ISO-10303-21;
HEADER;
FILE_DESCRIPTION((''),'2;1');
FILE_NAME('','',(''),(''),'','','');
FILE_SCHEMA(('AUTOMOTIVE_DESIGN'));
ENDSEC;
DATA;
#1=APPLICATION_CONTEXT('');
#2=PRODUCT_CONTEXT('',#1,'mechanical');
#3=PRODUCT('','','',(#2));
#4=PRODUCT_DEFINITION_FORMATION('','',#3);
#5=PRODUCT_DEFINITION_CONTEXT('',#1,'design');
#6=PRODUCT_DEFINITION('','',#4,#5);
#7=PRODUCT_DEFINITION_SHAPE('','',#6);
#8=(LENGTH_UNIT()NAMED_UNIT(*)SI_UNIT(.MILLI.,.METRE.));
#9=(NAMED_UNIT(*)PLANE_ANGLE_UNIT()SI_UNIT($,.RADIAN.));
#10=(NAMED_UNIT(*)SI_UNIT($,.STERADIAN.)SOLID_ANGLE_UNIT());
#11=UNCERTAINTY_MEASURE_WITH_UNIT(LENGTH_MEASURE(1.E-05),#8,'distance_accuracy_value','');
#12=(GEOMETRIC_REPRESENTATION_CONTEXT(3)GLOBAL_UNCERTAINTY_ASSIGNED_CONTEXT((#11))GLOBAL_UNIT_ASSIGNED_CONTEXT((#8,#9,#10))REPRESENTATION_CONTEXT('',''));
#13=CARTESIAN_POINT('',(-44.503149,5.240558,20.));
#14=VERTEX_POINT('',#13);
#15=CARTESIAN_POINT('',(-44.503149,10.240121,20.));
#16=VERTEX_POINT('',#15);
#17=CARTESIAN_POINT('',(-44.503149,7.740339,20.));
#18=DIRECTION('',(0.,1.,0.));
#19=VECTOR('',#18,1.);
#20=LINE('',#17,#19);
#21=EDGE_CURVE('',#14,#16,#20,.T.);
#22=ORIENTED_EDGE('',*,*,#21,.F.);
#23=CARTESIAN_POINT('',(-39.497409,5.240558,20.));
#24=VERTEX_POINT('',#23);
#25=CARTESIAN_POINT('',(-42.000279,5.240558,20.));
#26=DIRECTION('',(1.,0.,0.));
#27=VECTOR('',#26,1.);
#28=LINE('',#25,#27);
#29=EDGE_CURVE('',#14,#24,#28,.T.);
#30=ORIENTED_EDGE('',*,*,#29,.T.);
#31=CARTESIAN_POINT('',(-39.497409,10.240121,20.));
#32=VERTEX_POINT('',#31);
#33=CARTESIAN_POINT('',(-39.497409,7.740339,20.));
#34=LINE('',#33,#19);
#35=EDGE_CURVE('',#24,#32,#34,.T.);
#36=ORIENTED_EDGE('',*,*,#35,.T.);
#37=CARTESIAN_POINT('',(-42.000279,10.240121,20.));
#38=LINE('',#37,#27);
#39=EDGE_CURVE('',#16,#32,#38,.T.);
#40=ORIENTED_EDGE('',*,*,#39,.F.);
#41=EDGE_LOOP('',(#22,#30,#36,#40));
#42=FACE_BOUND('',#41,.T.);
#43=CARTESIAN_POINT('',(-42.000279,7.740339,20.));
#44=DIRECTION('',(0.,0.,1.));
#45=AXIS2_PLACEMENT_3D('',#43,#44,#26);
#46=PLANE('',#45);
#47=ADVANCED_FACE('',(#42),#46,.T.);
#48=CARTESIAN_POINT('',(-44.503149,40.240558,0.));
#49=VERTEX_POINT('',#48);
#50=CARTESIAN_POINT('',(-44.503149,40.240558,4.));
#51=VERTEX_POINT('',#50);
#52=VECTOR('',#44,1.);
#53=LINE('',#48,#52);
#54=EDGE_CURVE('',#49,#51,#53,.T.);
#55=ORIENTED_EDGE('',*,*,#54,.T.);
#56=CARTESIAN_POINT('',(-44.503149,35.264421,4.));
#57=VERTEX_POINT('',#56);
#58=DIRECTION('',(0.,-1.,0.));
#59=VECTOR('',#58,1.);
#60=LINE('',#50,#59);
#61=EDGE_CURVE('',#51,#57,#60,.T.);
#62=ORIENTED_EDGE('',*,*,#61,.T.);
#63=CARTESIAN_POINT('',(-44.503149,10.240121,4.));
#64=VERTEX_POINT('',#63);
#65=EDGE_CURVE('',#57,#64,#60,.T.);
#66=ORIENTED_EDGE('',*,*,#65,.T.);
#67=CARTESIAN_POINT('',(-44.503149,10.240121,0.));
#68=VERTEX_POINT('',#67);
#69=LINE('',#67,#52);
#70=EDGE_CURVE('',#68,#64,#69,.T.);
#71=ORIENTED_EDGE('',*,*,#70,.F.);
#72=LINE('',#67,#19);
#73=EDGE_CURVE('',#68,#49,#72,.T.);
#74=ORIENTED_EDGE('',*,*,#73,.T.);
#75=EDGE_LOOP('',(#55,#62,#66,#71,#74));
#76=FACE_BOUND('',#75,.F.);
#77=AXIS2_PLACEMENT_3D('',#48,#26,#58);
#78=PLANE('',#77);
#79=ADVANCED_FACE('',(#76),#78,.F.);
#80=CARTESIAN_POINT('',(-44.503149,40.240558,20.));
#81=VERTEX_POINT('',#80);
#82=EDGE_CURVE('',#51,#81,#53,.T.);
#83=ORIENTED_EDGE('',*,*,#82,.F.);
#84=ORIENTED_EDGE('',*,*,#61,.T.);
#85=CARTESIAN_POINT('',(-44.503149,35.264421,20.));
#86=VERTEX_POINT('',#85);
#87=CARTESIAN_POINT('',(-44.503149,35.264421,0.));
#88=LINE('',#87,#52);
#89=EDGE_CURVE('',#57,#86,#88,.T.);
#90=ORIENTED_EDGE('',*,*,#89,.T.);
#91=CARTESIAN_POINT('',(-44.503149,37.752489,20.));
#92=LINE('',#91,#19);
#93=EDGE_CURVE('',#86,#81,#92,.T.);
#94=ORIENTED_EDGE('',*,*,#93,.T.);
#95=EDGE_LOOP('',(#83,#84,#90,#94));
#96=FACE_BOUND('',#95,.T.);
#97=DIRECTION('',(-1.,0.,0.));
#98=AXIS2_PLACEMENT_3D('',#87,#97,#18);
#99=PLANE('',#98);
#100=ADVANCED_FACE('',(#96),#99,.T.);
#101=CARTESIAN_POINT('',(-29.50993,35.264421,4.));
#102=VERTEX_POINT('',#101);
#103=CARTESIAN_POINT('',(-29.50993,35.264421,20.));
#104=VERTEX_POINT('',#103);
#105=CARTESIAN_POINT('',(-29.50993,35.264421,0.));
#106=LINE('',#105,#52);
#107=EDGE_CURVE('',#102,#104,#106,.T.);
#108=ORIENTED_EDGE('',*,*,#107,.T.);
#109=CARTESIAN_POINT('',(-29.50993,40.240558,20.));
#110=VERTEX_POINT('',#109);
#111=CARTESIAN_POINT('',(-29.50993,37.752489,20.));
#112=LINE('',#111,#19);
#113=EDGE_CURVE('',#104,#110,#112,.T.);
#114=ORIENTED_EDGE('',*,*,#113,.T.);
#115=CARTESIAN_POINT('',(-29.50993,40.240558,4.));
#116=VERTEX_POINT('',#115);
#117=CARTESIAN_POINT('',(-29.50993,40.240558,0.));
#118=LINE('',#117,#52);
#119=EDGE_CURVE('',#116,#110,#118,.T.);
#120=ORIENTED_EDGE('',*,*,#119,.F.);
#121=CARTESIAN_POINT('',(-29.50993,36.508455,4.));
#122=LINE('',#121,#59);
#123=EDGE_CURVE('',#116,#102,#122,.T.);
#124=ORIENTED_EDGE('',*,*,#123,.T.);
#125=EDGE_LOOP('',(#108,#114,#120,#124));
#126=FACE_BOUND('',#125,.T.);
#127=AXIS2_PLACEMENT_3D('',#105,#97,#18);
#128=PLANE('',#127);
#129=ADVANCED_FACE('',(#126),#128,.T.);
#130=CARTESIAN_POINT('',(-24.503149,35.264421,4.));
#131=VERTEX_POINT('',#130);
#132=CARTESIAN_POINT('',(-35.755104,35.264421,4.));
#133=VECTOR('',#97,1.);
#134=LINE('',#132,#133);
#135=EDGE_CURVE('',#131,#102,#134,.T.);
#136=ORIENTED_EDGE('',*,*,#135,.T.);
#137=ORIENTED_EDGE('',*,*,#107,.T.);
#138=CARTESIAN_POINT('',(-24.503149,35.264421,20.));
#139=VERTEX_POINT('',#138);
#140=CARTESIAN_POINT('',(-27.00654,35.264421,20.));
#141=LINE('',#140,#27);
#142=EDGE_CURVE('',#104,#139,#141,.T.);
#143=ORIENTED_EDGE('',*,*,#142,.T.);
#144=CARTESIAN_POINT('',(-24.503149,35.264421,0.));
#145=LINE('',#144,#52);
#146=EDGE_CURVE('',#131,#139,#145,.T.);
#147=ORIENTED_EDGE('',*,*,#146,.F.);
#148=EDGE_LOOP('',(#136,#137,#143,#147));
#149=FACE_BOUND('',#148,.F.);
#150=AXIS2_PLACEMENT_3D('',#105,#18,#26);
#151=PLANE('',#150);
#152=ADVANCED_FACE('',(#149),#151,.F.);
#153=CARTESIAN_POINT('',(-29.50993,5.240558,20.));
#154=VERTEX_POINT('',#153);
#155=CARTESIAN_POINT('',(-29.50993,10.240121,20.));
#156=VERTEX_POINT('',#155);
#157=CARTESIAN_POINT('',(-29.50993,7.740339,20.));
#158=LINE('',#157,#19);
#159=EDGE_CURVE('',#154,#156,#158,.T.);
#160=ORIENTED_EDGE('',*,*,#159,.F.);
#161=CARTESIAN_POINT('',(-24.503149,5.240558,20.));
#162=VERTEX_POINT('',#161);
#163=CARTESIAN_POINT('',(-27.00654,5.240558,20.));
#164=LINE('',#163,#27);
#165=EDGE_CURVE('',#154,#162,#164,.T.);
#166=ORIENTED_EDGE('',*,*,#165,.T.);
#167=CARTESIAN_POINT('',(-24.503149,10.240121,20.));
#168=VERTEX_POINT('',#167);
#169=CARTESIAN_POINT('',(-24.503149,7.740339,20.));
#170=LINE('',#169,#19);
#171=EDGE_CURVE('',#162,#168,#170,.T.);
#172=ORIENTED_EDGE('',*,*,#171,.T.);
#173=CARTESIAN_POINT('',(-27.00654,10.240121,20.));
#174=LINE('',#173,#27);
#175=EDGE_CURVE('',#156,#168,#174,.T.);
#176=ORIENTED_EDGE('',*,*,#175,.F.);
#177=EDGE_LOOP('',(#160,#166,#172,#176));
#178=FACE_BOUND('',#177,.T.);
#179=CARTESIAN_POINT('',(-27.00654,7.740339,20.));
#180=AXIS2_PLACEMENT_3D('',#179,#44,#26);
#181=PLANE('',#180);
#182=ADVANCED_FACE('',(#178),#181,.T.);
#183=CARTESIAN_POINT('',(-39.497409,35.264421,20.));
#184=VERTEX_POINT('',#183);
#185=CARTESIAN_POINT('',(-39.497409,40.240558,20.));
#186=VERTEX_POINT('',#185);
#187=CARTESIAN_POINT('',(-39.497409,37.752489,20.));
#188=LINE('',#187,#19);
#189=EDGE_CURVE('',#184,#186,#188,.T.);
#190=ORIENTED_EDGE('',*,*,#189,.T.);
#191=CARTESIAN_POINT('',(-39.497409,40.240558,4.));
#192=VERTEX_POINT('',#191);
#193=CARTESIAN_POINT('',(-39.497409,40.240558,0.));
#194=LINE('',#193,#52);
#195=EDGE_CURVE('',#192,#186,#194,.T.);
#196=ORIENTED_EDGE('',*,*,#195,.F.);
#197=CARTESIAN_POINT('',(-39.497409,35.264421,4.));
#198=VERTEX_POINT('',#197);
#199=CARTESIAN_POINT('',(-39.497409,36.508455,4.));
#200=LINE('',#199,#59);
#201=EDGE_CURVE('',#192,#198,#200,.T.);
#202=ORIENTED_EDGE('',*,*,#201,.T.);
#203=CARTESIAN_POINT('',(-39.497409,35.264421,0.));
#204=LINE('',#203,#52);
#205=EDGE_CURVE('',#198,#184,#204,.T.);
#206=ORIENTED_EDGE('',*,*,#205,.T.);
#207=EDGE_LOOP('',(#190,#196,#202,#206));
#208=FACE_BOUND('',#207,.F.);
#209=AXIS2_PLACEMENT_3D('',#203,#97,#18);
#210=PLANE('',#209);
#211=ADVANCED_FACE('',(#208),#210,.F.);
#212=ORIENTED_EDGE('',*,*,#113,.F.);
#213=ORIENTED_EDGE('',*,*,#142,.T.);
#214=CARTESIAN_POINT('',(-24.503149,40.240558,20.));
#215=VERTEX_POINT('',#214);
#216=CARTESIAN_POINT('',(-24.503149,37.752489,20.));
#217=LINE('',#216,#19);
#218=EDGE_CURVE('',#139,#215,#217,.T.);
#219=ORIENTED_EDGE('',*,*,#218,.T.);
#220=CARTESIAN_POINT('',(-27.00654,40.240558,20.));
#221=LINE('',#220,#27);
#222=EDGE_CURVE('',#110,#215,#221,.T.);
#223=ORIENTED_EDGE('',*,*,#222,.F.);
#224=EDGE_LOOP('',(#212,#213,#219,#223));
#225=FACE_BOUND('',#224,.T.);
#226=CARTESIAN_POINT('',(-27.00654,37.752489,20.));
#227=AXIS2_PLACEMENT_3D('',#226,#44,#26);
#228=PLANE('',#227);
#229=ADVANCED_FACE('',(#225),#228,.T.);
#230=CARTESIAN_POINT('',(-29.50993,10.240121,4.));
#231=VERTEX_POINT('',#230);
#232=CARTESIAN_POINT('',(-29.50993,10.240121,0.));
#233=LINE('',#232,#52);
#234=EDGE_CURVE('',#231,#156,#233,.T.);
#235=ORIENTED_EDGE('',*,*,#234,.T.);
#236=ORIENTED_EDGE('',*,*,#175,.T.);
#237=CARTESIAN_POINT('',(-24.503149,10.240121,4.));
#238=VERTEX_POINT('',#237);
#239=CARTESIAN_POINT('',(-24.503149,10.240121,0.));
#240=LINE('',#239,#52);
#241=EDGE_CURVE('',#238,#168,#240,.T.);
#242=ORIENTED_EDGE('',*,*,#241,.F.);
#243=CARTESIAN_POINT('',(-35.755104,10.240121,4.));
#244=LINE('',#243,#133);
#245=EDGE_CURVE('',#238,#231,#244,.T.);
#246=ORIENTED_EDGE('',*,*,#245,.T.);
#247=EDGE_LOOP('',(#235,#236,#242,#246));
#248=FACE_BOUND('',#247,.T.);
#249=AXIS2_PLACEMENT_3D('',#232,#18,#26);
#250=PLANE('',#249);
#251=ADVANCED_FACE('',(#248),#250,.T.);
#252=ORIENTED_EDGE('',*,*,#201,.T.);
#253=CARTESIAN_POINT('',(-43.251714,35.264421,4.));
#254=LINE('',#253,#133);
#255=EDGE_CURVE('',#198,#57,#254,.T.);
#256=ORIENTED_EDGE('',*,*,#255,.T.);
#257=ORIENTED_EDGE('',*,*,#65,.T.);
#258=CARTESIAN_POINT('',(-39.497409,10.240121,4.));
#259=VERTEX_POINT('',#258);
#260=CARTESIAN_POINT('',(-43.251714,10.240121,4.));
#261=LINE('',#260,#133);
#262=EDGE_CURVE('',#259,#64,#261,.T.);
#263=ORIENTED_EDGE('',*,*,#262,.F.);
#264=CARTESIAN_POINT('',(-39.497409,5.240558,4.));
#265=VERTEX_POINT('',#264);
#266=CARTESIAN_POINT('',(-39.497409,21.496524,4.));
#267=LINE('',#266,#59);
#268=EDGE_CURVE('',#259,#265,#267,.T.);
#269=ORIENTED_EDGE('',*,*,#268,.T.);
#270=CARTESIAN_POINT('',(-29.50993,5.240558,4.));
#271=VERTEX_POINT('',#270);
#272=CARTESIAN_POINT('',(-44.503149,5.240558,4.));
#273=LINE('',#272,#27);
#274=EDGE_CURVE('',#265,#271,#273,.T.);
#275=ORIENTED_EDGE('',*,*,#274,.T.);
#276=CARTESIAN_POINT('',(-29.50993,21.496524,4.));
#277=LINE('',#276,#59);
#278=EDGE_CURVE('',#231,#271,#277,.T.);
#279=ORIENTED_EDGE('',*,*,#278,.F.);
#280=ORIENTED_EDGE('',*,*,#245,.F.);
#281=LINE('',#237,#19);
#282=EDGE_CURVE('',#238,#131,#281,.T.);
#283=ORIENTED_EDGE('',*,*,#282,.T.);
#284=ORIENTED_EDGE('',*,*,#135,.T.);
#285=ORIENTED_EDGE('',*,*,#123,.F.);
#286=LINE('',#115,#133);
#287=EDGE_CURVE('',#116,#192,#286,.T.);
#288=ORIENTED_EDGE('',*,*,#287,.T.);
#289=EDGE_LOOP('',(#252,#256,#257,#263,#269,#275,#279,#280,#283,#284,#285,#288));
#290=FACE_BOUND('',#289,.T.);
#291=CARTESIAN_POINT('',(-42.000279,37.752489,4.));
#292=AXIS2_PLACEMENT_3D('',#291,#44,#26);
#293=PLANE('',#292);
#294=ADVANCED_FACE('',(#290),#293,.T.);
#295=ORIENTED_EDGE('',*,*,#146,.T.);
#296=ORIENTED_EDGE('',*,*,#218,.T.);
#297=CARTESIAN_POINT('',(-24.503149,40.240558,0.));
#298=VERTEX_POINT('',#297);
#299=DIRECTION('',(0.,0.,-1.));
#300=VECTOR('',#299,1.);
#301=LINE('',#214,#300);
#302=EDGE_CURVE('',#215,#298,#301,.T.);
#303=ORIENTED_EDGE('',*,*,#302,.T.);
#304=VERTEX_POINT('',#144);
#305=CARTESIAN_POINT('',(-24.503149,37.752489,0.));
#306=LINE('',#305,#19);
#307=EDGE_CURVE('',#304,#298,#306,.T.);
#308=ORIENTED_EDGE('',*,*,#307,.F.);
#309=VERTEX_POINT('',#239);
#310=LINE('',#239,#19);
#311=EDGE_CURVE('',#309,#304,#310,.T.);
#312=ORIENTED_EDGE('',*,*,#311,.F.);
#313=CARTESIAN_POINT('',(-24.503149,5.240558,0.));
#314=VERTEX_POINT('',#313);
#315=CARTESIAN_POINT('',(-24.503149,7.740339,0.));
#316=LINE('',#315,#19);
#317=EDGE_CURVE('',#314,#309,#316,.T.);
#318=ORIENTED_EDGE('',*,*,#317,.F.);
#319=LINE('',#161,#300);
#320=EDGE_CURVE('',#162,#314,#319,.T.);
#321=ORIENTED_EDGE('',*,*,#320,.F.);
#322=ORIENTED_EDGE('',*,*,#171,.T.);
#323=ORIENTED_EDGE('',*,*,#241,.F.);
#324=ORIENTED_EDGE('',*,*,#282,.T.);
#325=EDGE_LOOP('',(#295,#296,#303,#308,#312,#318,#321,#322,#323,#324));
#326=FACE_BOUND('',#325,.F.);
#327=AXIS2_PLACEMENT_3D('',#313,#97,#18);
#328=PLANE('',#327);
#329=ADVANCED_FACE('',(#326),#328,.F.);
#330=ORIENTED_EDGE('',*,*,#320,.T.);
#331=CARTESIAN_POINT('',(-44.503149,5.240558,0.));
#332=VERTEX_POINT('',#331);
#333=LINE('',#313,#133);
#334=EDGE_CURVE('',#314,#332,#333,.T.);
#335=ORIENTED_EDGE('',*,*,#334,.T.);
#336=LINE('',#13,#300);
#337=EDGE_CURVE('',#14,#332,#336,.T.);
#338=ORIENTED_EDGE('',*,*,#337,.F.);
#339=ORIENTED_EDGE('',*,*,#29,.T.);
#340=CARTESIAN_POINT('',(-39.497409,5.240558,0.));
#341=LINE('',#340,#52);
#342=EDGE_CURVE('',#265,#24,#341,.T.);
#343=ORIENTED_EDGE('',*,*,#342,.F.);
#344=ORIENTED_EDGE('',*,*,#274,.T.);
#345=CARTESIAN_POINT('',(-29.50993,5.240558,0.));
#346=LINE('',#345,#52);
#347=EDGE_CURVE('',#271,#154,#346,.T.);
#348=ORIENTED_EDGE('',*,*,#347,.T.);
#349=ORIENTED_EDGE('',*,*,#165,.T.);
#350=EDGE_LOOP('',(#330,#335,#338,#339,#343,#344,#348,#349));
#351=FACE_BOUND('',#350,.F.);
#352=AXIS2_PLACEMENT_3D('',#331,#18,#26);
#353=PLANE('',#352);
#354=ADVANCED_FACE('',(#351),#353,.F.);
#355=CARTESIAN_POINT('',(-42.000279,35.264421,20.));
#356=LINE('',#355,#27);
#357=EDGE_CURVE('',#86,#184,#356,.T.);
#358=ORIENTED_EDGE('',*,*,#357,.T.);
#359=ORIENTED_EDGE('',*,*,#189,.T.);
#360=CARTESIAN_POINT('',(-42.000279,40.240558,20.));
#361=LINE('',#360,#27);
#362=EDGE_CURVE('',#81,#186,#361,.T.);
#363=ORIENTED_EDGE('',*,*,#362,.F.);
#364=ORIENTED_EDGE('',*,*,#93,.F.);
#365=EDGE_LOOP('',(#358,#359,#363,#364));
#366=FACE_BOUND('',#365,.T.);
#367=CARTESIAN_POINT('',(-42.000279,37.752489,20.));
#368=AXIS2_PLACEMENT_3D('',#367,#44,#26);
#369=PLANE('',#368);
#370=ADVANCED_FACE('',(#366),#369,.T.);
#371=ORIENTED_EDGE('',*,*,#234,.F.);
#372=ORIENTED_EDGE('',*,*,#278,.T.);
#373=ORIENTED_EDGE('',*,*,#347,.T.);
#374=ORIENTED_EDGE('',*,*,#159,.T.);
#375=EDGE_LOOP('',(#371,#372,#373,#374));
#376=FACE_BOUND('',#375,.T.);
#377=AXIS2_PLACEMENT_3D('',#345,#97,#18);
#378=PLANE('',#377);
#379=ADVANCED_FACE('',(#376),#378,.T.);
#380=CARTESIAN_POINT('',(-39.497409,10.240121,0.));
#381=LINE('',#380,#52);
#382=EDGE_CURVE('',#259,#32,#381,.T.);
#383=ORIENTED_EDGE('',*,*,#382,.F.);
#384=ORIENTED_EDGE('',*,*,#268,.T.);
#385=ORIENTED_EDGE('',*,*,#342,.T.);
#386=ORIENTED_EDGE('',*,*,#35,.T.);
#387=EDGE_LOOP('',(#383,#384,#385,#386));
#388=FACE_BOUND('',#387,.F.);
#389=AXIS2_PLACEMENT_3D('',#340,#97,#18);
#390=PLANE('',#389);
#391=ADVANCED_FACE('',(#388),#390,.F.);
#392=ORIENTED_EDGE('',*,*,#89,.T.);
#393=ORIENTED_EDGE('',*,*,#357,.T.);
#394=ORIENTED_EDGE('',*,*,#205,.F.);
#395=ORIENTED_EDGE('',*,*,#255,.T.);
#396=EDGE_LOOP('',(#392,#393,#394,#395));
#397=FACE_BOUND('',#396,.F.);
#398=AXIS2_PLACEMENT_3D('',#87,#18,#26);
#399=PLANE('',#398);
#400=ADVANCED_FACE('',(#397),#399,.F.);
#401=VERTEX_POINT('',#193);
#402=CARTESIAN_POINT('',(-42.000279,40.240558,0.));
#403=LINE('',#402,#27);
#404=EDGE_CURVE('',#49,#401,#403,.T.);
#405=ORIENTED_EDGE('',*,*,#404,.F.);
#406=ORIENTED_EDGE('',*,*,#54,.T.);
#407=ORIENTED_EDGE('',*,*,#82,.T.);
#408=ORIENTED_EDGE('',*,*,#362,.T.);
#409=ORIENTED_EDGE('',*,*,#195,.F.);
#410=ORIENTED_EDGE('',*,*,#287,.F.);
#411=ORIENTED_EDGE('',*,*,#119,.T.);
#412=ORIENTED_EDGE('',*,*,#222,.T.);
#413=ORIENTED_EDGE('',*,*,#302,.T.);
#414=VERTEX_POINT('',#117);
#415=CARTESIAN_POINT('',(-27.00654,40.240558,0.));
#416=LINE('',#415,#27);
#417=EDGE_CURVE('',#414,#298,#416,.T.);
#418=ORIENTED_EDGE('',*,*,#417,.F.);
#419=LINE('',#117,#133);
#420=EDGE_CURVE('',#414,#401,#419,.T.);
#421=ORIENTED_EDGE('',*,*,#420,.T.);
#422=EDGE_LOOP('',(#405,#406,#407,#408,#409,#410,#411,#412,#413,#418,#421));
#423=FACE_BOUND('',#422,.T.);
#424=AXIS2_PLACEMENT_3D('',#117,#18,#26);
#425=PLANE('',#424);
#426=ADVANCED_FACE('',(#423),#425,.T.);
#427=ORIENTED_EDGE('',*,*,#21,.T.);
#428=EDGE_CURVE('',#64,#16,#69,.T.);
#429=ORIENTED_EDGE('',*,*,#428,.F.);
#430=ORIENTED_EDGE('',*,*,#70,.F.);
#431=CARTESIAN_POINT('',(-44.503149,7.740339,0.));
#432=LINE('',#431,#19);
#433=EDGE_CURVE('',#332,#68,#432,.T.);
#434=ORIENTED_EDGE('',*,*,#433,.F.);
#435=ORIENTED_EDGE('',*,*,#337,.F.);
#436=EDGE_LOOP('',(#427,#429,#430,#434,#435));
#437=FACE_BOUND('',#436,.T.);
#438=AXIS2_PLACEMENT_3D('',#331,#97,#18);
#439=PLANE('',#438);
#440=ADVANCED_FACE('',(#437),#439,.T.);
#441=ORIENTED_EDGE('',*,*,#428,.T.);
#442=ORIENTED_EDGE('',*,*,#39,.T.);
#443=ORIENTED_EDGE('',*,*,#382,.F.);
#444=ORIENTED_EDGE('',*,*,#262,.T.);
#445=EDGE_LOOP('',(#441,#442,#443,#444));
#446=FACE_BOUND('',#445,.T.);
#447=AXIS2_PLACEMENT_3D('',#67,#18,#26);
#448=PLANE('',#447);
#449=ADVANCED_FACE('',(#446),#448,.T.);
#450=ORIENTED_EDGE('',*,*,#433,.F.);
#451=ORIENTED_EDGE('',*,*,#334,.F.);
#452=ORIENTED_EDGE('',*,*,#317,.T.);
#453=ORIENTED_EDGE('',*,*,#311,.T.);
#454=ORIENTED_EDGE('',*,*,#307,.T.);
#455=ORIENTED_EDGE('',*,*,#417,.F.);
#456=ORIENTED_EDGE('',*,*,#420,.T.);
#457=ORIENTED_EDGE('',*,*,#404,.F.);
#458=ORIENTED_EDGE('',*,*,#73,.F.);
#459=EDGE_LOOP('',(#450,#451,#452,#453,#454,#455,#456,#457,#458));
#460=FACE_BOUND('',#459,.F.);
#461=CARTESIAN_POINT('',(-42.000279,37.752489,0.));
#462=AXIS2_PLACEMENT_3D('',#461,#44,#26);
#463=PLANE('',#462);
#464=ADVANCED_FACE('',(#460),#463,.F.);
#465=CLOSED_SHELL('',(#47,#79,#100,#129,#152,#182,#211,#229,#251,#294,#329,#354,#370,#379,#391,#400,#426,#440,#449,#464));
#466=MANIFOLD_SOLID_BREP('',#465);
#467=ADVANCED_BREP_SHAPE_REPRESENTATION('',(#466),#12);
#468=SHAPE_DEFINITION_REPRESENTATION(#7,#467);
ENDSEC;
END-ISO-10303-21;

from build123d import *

# Parameters (mm, degrees)
F0_W     = 5.0057400763
F0_H     = 4.9761364609
F0_W_2   = 5.0067808479
F0_H_2   = 4.999563098
F1_DEPTH = 4
F2_DEPTH = 20


with BuildPart() as f1:
    # F0 (on Top) → F1 (new body)
    with BuildSketch(Plane.XY):
        with Locations((-42.000279054, 37.7524894848)):
            Rectangle(F0_W, F0_H)
        Polygon((-29.5099299401, 40.2405577153), (-39.4974090159, 40.2405577153), (-39.4974090159, 35.2644212544), (-44.5031490922, 35.2644212544), (-44.5031490922, 10.2401208133), (-39.4974090159, 10.2401208133), (-39.4974090159, 5.2405577153), (-29.5099299401, 5.2405577153), (-29.5099299401, 10.2401208133), (-24.5031490922, 10.2401208133), (-24.5031490922, 35.2644212544), (-29.5099299401, 35.2644212544), align=None)
        with Locations((-27.0065395162, 37.7524894848)):
            Rectangle(F0_W_2, F0_H)
        with Locations((-42.000279054, 7.7403392643)):
            Rectangle(F0_W, F0_H_2)
        with Locations((-27.0065395162, 7.7403392643)):
            Rectangle(F0_W_2, F0_H_2)
    extrude(amount=F1_DEPTH)

    # F0 (on Top) → F2 (join)
    with BuildSketch(Plane.XY):
        with Locations((-27.0065395162, 37.7524894848)):
            Rectangle(F0_W_2, F0_H)
        with Locations((-42.000279054, 37.7524894848)):
            Rectangle(F0_W, F0_H)
        with Locations((-42.000279054, 7.7403392643)):
            Rectangle(F0_W, F0_H_2)
        with Locations((-27.0065395162, 7.7403392643)):
            Rectangle(F0_W_2, F0_H_2)
    extrude(amount=F2_DEPTH)


solid = f1.part
